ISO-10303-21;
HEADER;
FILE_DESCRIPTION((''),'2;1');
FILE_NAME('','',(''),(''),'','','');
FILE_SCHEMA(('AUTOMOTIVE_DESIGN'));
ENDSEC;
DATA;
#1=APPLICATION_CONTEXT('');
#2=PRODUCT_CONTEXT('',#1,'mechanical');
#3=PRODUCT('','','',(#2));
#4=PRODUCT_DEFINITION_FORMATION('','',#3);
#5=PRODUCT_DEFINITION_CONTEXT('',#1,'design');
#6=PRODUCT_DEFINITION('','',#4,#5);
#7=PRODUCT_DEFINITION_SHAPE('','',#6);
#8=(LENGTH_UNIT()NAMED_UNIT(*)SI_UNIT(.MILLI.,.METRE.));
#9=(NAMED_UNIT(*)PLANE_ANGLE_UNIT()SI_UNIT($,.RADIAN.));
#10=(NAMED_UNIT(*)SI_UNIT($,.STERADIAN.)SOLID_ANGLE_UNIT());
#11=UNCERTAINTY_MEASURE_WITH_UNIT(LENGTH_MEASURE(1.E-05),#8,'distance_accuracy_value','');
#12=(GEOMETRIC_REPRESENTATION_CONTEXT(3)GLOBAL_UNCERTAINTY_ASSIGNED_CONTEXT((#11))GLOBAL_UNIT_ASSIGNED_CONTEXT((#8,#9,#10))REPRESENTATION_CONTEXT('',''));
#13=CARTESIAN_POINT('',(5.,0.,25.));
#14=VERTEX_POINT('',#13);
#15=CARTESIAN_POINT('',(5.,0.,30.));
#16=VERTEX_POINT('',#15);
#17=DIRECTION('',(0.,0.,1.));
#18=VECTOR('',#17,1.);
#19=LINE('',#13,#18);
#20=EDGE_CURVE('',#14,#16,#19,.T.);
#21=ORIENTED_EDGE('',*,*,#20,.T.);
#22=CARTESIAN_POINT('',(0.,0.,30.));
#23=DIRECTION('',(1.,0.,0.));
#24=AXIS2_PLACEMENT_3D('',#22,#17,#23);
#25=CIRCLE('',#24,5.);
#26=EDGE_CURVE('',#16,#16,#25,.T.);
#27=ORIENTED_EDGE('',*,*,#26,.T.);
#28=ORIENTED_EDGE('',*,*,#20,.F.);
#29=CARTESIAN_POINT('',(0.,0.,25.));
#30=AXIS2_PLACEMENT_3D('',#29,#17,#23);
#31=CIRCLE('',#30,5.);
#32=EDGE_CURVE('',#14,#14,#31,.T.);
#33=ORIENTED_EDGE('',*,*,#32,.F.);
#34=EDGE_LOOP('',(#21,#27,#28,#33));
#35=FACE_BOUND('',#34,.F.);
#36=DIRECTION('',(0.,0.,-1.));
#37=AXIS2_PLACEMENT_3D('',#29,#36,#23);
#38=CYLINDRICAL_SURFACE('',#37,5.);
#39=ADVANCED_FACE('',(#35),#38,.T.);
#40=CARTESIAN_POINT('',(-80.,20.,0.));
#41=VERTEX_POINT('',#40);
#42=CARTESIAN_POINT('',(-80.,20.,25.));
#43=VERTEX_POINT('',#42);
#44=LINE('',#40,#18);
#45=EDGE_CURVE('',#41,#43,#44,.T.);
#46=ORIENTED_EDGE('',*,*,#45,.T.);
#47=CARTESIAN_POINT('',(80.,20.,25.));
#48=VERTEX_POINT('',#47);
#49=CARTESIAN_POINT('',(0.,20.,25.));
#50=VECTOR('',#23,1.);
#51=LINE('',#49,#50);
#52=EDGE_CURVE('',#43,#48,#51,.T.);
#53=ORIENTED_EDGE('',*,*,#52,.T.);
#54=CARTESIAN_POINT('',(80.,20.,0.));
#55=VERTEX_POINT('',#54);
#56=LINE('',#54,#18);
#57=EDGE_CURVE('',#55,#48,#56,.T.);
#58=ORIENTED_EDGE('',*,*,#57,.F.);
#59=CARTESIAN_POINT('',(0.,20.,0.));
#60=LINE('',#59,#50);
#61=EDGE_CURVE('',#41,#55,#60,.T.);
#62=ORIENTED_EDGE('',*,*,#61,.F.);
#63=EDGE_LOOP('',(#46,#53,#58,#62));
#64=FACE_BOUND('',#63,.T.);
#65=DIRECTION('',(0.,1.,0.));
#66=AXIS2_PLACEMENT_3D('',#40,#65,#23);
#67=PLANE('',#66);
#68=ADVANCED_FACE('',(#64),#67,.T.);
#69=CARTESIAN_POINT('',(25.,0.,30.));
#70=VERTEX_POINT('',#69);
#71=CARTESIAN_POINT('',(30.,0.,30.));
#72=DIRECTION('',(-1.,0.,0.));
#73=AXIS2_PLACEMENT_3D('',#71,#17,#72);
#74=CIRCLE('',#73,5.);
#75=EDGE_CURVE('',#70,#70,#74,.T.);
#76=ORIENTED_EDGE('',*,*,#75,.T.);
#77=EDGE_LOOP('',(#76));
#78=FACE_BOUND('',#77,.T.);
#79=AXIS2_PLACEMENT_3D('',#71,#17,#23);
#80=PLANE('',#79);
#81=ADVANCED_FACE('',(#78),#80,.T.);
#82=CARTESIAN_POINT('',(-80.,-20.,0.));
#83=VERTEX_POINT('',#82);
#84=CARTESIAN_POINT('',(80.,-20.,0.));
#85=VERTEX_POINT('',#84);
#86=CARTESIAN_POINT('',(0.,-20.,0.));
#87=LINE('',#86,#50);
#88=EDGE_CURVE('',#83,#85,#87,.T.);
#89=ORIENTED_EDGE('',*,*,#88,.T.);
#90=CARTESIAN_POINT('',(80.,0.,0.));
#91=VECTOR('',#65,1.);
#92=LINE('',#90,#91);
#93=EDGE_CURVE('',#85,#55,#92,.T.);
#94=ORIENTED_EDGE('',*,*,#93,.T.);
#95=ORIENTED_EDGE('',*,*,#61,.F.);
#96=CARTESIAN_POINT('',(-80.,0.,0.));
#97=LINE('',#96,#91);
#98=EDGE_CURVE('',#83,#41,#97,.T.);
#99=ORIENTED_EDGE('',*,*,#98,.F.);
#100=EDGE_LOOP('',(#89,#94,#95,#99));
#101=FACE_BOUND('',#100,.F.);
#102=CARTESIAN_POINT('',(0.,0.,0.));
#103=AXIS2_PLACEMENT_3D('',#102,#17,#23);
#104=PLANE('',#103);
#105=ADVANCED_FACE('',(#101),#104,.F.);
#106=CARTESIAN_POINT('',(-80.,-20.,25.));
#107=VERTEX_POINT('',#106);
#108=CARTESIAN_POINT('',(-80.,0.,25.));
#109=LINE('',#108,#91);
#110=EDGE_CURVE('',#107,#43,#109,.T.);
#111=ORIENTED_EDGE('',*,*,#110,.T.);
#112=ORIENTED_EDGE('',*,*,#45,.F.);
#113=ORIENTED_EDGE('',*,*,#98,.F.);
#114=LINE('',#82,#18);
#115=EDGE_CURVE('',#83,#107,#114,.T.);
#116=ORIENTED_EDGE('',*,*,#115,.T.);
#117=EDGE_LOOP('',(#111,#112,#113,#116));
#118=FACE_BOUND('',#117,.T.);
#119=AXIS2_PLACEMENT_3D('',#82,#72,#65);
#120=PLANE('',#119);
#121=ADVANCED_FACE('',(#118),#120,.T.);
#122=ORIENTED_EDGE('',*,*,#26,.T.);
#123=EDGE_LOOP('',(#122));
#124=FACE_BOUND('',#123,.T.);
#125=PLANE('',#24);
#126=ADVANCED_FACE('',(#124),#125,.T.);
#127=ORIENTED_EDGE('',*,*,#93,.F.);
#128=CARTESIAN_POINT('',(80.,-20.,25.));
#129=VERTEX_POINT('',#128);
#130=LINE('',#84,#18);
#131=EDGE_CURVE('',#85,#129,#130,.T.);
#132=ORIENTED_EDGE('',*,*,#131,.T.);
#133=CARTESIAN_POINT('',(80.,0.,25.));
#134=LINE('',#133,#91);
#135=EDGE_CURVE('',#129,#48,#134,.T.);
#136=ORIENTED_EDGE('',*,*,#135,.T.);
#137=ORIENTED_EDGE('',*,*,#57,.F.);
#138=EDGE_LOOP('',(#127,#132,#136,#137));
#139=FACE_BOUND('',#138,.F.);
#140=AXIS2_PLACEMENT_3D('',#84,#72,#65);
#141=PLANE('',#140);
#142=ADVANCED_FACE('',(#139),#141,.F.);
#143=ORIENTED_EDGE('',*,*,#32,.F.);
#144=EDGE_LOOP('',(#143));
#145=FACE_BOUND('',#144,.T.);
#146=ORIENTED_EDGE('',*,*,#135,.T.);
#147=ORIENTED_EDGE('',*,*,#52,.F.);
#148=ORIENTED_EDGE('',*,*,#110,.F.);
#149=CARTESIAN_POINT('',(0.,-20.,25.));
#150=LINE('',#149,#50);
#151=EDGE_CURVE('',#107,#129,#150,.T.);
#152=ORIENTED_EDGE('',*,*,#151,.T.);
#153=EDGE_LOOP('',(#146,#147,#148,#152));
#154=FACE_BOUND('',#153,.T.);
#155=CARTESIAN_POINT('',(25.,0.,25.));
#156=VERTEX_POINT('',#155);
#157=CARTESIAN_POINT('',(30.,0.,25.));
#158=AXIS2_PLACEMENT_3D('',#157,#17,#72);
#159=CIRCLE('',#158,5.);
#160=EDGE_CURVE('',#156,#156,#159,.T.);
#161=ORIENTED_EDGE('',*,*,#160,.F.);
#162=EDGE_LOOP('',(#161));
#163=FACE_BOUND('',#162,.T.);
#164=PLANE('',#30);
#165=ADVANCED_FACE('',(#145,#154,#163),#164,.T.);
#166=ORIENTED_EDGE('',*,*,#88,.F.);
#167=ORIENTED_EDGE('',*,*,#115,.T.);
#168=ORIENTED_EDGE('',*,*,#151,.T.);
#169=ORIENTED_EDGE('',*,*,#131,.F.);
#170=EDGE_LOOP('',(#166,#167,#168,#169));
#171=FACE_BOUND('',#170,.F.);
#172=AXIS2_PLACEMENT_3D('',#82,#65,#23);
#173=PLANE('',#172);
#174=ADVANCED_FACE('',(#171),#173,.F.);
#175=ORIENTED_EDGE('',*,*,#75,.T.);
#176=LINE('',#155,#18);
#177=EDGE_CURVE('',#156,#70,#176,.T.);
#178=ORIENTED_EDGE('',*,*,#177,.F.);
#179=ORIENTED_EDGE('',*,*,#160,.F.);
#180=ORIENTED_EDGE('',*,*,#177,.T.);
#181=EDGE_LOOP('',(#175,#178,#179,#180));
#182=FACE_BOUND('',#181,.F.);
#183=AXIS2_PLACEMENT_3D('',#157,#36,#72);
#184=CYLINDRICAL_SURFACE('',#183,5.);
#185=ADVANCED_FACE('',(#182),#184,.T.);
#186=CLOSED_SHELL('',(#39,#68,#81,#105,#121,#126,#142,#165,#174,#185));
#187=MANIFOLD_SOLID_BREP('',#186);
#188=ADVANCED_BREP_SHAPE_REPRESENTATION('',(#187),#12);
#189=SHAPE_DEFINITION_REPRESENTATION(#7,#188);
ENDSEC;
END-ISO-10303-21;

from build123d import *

# Parameters (mm, degrees)
F0_W     = 160
F0_H     = 40
F1_DEPTH = 25
F2_R     = 5
F3_DEPTH = 5


with BuildPart() as f1:
    # F0 (on Top) → F1 (new body)
    with BuildSketch(Plane.XY):
        Rectangle(F0_W, F0_H)
    extrude(amount=F1_DEPTH)

    # F2 (on face) → F3 (join)
    with BuildSketch(Plane.XY.offset(25)):
        Circle(F2_R)
        with BuildLine():
            ThreePointArc((35, 0), (30, 5), (25, 0))
            ThreePointArc((25, 0), (30, -5), (35, 0))
        make_face()
    extrude(amount=F3_DEPTH)


solid = f1.part
